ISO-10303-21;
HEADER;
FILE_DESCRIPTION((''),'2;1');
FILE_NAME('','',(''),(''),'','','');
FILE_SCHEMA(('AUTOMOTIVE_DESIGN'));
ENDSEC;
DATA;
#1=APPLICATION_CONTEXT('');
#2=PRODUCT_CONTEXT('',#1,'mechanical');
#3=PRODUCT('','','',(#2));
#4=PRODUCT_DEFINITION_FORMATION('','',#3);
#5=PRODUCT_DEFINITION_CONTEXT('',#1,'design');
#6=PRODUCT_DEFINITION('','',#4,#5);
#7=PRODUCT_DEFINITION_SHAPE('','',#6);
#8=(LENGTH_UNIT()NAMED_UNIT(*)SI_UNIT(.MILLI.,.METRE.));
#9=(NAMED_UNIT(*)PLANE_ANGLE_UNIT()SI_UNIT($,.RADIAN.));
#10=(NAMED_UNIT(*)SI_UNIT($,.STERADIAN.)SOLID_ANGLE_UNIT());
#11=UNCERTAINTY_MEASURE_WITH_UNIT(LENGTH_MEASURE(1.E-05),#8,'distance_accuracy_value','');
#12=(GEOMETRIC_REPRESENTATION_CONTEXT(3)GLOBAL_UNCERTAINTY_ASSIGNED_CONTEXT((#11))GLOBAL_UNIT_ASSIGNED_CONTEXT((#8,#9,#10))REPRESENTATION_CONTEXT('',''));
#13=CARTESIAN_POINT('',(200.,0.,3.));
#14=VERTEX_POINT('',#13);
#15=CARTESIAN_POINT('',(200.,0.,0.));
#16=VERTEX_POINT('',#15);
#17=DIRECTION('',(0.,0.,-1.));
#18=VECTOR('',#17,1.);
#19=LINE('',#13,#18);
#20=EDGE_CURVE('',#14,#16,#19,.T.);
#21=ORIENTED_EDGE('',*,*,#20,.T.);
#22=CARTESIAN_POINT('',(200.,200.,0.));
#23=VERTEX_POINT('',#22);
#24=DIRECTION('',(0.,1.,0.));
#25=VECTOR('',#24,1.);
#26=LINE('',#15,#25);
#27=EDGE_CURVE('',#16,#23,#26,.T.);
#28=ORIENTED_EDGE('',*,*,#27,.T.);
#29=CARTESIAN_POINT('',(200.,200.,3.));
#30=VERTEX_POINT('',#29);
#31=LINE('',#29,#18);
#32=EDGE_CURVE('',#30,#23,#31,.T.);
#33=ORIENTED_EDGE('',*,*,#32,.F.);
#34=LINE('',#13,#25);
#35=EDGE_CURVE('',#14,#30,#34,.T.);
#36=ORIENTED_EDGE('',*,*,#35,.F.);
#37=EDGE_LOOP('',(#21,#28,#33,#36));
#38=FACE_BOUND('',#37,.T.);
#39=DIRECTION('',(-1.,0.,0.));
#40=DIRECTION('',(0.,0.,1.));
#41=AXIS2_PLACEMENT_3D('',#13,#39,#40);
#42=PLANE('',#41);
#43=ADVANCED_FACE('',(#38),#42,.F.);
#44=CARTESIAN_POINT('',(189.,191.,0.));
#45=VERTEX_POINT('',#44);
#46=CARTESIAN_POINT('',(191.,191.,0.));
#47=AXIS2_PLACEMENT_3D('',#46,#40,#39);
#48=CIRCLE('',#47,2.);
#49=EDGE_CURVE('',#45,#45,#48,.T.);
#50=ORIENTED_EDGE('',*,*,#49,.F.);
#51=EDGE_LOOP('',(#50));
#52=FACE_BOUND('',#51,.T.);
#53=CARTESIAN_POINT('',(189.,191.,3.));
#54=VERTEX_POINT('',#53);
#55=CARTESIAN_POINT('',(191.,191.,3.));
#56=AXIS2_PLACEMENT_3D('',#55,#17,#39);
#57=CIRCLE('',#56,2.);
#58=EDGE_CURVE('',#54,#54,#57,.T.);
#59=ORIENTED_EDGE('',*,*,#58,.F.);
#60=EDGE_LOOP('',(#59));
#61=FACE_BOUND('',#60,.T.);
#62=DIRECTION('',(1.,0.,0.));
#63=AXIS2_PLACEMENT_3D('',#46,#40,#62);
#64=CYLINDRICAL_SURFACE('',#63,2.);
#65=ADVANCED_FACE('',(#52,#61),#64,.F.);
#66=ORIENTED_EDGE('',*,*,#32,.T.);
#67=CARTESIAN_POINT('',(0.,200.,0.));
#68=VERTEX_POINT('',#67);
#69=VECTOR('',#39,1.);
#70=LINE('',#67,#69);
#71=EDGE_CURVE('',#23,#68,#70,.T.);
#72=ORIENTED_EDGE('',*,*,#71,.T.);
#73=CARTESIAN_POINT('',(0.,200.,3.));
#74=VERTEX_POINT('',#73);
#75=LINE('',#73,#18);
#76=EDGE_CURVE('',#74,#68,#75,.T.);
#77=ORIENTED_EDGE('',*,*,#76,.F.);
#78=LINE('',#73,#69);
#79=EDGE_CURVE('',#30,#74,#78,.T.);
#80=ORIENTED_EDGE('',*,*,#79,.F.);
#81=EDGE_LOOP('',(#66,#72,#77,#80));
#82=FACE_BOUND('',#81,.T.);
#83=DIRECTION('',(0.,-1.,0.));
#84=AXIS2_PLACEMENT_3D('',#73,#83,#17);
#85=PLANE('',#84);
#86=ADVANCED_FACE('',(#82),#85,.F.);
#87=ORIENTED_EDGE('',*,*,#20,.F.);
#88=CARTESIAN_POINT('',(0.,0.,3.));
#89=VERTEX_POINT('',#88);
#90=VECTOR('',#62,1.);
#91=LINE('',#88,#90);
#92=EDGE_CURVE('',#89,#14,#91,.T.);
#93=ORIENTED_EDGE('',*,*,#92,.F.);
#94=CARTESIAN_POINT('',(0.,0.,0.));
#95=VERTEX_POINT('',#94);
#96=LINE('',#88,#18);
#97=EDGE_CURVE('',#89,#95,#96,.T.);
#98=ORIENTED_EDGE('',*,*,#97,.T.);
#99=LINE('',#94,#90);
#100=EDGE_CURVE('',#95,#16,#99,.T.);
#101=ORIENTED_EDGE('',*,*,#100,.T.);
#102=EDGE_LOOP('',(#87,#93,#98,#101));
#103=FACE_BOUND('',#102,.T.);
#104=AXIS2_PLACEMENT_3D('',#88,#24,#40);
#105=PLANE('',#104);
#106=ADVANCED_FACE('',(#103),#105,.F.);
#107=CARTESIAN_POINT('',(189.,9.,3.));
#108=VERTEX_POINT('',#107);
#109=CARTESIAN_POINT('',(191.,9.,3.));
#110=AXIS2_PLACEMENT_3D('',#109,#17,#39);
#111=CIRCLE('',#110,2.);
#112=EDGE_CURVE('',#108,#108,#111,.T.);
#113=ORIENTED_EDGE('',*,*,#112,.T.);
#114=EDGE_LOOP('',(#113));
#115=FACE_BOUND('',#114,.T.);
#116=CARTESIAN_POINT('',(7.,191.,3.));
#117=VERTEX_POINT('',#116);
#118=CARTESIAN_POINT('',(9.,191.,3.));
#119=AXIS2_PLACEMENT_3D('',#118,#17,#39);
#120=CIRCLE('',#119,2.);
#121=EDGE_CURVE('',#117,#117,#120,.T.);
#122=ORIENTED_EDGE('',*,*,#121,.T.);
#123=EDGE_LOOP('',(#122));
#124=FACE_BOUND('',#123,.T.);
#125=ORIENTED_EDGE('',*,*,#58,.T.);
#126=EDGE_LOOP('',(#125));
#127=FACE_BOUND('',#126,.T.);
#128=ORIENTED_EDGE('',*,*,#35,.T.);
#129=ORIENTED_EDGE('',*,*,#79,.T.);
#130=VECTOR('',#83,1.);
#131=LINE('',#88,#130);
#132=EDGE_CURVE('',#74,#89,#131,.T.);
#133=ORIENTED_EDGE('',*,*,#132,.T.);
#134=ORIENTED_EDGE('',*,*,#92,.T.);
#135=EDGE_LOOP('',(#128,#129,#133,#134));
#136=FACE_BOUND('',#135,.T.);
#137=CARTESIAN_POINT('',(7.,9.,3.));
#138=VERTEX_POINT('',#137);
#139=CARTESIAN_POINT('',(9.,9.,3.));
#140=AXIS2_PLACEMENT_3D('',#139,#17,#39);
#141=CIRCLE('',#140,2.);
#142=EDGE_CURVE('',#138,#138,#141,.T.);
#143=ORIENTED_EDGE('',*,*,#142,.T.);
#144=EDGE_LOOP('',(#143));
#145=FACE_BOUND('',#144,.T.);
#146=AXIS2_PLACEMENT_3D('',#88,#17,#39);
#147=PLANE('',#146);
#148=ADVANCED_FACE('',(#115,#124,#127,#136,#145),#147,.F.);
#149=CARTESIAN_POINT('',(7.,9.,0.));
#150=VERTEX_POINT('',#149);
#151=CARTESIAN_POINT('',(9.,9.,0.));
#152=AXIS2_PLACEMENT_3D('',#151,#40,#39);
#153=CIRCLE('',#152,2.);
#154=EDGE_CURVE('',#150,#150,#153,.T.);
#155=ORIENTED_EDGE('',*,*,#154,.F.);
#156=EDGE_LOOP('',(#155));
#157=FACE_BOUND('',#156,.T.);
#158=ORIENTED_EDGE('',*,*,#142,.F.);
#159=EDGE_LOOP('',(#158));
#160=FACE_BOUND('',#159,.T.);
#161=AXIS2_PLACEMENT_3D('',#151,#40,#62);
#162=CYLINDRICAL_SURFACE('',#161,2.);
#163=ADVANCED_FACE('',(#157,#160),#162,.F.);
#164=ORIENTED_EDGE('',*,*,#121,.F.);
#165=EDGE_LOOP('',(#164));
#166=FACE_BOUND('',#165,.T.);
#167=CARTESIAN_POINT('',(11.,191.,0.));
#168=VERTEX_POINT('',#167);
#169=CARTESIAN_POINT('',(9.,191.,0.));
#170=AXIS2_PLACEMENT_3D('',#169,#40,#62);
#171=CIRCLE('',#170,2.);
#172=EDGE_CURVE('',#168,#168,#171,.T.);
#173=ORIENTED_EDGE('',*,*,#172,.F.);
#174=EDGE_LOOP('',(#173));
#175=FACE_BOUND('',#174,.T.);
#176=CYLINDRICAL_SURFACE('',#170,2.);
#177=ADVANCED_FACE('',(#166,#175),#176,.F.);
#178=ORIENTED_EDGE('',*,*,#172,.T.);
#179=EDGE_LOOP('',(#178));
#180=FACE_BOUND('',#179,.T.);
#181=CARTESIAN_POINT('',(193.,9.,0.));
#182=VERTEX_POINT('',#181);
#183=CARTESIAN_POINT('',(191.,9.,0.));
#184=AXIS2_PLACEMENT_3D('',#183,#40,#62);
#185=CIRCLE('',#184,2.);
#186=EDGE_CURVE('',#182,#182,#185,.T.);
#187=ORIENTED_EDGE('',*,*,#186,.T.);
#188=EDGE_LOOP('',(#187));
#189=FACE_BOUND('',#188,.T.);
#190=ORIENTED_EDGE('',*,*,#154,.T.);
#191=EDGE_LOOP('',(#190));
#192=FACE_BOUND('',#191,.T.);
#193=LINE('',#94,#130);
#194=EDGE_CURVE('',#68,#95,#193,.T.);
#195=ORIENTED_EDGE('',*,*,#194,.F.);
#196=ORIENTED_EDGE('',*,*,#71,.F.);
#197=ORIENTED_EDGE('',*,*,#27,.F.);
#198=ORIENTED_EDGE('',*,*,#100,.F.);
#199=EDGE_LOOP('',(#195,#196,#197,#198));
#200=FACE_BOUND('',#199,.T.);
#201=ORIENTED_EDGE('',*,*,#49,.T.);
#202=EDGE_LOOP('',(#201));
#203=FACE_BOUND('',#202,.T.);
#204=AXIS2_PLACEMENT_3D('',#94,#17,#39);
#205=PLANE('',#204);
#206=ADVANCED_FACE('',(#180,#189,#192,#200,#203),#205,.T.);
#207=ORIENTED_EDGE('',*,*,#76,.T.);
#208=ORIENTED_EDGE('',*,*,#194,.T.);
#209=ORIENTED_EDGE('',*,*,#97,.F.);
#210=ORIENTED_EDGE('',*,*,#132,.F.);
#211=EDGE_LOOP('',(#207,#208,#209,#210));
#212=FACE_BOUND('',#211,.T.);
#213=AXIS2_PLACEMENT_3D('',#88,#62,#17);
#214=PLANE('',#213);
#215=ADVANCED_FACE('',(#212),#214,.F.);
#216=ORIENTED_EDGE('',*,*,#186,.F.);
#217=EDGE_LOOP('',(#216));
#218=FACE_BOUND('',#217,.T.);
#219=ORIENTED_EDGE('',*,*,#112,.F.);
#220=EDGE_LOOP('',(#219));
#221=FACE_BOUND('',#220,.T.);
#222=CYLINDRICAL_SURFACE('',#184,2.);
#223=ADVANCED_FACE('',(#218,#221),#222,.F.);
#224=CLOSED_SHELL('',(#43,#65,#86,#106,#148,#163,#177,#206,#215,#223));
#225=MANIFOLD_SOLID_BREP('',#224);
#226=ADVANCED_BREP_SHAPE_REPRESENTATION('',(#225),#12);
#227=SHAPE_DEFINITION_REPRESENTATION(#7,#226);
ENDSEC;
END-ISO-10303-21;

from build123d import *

# Parameters (mm, degrees)
ESQUISSE1_W                  = 200
ESQUISSE1_H                  = 200
BOSS_EXTRU_1_DEPTH           = 3
ESQUISSE2_R                  = 2
ENL_V_MAT_EXTRU_1_DEPTH      = 1
ENL_V_MAT_EXTRU_1_DEPTH_BACK = 4


with BuildPart() as part:
    # Esquisse1 → Boss.-Extru.1 (new body)
    with BuildSketch(Plane.XY):
        with Locations((100, 100)):
            Rectangle(ESQUISSE1_W, ESQUISSE1_H)
    extrude(amount=BOSS_EXTRU_1_DEPTH)

    # Esquisse2 → Enlèv. mat.-Extru.1 (cut, two sides)
    with BuildSketch(Plane.XY.offset(3)) as enl_v_mat_extru_1_sk:
        with Locations((9, 191)):
            Circle(ESQUISSE2_R)
        with Locations((191, 191)):
            Circle(ESQUISSE2_R)
        with Locations((191, 9)):
            Circle(ESQUISSE2_R)
        with Locations((9, 9)):
            Circle(ESQUISSE2_R)
    extrude(amount=ENL_V_MAT_EXTRU_1_DEPTH, mode=Mode.SUBTRACT)
    extrude(enl_v_mat_extru_1_sk.sketch, amount=-ENL_V_MAT_EXTRU_1_DEPTH_BACK, mode=Mode.SUBTRACT)


solid = part.part
